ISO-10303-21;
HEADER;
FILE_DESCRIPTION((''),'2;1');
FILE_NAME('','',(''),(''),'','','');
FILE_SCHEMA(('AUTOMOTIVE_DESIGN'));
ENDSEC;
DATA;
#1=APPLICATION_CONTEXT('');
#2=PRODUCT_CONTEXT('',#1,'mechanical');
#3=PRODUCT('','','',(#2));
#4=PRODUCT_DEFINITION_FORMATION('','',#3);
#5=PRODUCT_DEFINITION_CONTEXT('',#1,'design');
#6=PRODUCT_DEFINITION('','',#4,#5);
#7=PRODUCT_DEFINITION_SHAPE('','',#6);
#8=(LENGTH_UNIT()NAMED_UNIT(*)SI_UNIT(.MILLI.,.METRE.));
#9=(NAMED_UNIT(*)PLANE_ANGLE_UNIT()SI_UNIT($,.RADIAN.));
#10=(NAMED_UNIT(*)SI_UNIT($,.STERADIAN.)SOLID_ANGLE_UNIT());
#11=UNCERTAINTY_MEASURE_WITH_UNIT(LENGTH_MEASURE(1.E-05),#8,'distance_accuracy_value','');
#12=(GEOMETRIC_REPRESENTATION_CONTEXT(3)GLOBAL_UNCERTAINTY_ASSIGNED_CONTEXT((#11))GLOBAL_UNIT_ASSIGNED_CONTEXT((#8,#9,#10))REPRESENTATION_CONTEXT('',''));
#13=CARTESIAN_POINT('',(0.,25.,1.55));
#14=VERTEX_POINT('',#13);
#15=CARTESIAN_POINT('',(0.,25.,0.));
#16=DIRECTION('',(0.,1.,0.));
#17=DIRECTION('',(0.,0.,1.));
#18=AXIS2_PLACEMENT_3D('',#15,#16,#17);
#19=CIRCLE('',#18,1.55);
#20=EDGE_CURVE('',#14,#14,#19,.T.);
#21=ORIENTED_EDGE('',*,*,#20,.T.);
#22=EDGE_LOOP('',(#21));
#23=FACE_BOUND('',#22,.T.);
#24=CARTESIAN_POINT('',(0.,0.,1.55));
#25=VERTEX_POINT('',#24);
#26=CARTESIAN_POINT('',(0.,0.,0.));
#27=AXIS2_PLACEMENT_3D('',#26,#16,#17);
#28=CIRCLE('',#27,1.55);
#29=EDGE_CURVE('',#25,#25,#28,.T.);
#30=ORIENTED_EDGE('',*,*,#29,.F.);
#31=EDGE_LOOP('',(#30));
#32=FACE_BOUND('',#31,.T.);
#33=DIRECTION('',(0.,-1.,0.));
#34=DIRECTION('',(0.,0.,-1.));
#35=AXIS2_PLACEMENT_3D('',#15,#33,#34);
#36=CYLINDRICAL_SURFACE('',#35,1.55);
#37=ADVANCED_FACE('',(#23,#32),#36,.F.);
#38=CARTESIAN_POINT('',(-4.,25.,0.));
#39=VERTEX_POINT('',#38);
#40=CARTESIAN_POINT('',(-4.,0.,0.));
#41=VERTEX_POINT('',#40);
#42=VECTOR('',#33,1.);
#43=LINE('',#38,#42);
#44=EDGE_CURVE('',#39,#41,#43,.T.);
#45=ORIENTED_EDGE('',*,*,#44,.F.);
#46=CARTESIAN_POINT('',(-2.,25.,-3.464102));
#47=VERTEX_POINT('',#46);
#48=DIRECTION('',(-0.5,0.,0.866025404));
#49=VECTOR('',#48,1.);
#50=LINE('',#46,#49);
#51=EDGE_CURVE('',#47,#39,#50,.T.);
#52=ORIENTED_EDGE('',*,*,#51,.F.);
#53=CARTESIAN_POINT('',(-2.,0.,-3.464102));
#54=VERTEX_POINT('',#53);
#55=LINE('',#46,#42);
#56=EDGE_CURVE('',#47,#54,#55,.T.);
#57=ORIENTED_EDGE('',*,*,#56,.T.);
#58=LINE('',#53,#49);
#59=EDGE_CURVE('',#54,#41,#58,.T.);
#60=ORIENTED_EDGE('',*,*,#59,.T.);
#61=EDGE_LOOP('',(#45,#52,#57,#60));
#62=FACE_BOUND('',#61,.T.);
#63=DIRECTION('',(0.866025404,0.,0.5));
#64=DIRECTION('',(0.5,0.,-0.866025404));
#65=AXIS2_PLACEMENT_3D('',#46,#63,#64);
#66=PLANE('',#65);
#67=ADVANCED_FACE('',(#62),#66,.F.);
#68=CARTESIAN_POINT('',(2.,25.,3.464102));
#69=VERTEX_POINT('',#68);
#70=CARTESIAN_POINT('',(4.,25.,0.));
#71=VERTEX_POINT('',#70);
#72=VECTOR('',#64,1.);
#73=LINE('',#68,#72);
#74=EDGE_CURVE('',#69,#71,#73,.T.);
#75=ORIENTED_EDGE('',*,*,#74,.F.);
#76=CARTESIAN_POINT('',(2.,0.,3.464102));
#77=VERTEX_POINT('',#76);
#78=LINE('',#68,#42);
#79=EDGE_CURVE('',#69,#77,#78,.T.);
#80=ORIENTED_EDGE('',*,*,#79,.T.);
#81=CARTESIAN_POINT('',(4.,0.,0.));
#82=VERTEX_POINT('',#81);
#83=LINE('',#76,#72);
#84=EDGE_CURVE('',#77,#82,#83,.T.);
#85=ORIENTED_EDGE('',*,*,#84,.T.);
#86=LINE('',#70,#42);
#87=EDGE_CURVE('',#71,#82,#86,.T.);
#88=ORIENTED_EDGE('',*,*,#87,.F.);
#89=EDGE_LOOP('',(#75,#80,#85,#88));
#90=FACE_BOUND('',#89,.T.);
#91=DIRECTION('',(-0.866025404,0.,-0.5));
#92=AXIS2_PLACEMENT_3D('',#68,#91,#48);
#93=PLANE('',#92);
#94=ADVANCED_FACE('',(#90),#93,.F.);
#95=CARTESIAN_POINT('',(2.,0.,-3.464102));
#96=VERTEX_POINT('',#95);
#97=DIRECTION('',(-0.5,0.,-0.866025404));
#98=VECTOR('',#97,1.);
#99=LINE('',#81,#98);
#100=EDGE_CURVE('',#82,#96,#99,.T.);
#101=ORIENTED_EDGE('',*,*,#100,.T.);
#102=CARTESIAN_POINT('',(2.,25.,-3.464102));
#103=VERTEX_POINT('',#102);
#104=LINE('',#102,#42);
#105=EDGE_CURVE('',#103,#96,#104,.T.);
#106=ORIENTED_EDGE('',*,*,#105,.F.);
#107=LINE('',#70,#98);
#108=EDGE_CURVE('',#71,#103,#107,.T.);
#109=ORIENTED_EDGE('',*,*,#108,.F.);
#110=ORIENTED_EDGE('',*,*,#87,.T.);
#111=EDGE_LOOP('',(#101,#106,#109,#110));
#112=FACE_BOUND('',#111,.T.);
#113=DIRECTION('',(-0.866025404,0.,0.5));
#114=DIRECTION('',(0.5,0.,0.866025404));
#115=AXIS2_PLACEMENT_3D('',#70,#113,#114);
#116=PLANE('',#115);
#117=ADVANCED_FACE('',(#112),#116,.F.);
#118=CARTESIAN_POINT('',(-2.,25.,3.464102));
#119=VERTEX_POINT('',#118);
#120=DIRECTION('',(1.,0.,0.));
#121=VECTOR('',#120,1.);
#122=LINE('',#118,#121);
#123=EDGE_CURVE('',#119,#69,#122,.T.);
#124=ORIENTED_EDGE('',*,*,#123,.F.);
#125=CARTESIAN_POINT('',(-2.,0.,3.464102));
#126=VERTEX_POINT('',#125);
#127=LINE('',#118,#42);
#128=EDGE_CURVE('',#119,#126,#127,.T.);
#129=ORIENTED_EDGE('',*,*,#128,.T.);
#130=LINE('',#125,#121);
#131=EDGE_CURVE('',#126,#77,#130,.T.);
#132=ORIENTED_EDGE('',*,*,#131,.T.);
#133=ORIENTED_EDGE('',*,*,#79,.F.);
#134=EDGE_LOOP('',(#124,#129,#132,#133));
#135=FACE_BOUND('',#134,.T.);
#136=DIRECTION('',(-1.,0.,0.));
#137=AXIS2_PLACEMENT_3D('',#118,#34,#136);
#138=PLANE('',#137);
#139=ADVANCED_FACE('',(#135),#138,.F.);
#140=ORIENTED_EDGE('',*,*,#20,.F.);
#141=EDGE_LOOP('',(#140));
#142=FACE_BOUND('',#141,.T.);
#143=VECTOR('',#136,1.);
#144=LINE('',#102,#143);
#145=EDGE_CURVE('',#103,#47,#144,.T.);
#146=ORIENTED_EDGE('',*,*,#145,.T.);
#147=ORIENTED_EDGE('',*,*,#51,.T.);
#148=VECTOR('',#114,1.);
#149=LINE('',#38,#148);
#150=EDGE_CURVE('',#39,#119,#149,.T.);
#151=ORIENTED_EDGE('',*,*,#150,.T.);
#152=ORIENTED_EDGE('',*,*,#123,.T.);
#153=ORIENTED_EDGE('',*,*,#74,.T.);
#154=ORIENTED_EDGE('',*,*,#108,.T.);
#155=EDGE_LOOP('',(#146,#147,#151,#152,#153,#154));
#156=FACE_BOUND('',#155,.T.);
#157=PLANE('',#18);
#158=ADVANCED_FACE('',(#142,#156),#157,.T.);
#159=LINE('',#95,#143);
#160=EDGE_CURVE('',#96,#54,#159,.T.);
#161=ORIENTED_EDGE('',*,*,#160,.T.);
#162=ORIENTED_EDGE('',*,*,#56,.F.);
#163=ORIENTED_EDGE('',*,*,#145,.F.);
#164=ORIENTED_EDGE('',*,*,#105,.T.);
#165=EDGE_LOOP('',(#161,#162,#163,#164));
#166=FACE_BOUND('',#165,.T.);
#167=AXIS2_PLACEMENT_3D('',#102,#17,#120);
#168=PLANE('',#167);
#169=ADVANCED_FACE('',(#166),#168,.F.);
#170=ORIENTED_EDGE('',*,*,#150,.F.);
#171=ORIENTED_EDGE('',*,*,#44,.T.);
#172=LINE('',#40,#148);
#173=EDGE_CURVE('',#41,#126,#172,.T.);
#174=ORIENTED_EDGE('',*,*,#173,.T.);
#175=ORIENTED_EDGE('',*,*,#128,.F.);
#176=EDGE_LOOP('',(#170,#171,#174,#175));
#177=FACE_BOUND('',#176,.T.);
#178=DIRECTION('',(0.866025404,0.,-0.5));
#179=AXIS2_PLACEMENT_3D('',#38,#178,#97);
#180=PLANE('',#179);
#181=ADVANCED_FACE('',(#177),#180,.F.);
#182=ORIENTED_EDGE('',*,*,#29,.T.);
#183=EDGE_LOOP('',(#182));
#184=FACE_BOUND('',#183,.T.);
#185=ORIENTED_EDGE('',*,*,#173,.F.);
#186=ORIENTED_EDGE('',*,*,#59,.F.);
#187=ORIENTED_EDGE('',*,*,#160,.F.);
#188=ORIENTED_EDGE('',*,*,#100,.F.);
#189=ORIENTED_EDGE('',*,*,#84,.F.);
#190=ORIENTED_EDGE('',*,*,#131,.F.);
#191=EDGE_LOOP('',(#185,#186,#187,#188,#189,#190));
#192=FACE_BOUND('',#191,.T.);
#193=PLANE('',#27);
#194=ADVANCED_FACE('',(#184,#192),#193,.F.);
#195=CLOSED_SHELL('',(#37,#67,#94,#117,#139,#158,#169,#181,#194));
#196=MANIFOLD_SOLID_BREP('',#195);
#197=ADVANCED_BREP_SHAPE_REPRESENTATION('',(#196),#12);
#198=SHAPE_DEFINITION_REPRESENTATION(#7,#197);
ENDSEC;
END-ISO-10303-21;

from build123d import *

# Parameters (mm, degrees)
SKETCH_1_R      = 1.55
EXTRUDE_1_DEPTH = 25


with BuildPart() as part:
    # 草圖1 → 填料-伸長1 (new body)
    with BuildSketch(Plane(origin=(0, 0, 0), x_dir=(1, 0, 0), z_dir=(0, 1, 0))):
        Polygon((2, 3.464101615), (-2, 3.464101615), (-4, 0), (-2, -3.464101615), (2, -3.464101615), (4, 0), align=None)
        with Locations(Location((0, 0, 0), (0, 0, 270))):
            Circle(SKETCH_1_R, mode=Mode.SUBTRACT)
    extrude(amount=EXTRUDE_1_DEPTH)


solid = part.part
